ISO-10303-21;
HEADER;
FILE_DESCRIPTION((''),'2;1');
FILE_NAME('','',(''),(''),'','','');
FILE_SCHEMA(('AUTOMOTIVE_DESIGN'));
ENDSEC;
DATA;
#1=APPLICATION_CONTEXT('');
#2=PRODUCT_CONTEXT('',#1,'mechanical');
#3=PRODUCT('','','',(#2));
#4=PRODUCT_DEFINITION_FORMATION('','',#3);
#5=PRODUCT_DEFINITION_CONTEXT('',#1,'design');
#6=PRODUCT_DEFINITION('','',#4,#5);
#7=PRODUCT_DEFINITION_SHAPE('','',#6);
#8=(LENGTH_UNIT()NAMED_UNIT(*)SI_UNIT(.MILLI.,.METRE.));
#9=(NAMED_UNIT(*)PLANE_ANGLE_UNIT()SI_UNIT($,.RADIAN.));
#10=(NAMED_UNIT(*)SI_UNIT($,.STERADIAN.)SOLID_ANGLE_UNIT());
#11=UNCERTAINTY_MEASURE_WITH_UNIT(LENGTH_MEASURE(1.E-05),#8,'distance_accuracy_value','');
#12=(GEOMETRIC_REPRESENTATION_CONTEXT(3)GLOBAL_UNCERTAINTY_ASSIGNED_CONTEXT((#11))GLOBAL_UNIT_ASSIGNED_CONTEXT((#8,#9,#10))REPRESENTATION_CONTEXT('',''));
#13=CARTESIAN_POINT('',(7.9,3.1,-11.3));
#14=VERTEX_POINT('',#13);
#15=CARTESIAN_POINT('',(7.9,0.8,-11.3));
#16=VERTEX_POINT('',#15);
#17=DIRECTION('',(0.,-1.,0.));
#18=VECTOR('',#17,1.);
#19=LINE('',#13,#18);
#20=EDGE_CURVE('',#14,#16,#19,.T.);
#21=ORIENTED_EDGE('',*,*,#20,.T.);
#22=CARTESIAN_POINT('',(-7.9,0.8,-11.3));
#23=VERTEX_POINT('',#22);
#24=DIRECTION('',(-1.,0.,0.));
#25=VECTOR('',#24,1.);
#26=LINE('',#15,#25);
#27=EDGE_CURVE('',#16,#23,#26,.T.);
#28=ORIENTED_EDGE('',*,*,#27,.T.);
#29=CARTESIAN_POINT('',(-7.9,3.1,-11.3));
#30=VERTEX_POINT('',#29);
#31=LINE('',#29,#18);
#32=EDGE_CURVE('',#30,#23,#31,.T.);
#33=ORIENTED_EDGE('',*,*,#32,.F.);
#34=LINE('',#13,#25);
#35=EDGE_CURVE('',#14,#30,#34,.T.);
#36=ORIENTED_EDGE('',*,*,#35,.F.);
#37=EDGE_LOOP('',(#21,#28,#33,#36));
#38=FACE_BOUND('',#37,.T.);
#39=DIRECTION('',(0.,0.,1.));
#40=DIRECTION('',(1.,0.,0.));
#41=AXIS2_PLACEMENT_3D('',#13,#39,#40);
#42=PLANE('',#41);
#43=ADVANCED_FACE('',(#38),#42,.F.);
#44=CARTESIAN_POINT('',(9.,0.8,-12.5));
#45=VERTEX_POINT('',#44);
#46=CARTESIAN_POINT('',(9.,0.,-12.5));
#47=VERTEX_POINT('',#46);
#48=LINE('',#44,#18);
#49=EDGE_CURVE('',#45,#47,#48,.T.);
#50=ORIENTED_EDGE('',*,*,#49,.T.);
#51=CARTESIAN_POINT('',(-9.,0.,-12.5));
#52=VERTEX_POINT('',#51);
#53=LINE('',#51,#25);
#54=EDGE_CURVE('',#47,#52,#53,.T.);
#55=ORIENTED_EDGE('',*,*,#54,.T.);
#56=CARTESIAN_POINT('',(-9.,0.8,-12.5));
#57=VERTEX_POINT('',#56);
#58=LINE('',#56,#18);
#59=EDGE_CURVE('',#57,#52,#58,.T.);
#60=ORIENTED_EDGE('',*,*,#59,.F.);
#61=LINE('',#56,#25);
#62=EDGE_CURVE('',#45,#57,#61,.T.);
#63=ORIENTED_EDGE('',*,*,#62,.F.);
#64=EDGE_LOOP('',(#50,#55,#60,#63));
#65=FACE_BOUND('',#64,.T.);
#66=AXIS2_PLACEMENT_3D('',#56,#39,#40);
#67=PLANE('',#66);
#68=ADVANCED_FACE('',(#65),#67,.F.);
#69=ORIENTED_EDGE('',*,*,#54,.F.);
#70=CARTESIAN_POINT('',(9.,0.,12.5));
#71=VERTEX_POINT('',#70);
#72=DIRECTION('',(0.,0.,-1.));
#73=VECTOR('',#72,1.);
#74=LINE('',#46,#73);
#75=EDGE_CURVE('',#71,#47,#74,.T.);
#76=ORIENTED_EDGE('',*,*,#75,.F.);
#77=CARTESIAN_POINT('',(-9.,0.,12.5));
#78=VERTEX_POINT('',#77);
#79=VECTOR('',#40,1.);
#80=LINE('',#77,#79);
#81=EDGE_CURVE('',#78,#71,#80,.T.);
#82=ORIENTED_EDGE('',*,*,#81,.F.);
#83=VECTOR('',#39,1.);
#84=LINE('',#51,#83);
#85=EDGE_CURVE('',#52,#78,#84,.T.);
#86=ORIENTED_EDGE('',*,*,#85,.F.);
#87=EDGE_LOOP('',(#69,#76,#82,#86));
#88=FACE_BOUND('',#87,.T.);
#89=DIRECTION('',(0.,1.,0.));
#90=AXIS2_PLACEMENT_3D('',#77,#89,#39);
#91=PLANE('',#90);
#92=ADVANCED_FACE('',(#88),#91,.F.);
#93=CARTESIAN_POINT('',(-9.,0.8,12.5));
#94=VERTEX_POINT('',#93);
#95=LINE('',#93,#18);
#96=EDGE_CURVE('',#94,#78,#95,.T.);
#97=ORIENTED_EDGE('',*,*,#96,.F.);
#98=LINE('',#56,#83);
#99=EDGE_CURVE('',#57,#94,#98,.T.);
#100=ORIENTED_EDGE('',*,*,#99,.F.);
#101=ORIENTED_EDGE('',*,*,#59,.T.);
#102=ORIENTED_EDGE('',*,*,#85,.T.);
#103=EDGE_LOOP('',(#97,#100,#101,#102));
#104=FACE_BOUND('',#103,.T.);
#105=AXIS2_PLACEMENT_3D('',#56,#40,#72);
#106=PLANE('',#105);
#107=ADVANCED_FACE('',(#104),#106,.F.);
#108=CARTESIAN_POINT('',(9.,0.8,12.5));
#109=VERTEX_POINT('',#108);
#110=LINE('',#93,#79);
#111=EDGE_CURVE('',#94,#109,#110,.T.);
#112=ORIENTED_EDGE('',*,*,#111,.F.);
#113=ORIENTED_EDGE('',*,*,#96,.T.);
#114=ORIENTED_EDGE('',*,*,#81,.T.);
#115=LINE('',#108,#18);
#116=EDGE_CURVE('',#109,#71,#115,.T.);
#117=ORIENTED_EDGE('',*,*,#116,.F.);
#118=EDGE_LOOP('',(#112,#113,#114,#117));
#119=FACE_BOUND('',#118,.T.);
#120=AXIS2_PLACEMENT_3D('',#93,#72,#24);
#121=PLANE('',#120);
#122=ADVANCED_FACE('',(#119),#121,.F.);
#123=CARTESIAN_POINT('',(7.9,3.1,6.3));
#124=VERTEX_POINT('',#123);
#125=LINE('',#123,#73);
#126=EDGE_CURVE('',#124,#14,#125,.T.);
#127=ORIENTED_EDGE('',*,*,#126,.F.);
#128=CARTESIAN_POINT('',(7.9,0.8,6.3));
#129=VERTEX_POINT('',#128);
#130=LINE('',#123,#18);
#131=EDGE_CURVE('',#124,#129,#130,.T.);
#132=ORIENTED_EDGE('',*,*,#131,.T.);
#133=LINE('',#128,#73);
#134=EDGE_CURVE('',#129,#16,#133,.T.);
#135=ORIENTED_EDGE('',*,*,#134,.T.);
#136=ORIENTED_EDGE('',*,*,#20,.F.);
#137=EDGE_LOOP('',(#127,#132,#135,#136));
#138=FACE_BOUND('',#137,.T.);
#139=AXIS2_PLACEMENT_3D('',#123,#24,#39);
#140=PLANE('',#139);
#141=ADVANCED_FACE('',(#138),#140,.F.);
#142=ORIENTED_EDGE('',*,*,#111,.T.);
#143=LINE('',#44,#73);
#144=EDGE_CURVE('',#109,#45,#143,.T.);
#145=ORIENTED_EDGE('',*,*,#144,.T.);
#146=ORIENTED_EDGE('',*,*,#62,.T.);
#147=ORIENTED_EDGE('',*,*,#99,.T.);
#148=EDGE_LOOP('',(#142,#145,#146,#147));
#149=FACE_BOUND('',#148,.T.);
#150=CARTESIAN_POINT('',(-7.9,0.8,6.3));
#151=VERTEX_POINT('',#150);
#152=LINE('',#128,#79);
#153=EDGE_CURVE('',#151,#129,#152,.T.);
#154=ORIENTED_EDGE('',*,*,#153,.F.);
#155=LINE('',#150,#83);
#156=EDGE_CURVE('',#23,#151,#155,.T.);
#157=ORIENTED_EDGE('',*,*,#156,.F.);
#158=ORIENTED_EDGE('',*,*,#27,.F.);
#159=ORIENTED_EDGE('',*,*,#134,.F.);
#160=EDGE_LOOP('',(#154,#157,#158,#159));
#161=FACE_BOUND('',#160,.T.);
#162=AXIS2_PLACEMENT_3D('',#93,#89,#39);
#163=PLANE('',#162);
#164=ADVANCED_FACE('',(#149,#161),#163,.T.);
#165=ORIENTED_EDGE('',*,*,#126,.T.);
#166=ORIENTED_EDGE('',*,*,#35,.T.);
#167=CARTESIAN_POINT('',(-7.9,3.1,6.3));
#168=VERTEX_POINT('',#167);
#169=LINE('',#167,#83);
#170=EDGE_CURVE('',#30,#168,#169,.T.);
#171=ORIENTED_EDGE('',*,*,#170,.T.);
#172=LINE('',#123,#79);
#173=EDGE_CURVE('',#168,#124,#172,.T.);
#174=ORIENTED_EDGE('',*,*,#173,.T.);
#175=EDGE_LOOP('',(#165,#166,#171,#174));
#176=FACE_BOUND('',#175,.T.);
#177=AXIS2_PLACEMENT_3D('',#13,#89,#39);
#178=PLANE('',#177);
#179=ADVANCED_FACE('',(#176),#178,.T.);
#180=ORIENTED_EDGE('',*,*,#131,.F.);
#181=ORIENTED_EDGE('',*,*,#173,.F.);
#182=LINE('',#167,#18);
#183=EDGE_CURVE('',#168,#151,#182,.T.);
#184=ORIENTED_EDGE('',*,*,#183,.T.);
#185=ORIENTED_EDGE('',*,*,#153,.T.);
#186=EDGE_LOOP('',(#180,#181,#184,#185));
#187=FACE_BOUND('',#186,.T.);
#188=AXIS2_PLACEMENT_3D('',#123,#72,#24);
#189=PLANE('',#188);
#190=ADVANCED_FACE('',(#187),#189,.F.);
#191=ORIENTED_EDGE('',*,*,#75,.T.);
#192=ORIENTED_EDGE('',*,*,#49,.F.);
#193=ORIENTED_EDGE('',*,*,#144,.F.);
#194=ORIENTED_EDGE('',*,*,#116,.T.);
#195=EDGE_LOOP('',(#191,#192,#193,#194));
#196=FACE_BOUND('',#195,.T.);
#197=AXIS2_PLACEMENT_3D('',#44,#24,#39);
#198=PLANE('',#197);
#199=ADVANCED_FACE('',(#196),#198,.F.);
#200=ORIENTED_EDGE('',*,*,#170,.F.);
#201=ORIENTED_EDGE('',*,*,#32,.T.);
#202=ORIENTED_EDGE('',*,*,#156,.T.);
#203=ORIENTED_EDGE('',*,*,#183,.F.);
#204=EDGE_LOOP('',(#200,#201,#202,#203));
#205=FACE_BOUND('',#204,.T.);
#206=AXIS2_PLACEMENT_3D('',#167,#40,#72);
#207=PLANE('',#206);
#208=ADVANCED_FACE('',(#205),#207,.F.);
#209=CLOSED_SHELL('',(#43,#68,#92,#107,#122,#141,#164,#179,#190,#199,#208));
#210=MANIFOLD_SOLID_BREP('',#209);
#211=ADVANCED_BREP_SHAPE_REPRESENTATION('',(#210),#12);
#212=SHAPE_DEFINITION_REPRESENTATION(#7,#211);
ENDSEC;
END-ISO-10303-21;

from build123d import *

# Parameters (mm, degrees)
SKETCH1_W      = 18
SKETCH1_H      = 25
EXTRUDE1_DEPTH = 0.8
SKETCH2_W      = 15.8
SKETCH2_H      = 17.6
EXTRUDE2_DEPTH = 2.3


with BuildPart() as part:
    # Sketch1 → Extrude1 (new body)
    with BuildSketch(Plane(origin=(0, 0, 0), x_dir=(1, 0, 0), z_dir=(0, 1, 0))):
        Rectangle(SKETCH1_W, SKETCH1_H)
    extrude(amount=EXTRUDE1_DEPTH)

    # Sketch2 → Extrude2 (add)
    with BuildSketch(Plane(origin=(0, 0.8, 0), x_dir=(-1, 0, 0), z_dir=(0, 1, 0))):
        with Locations((0, -2.5)):
            Rectangle(SKETCH2_W, SKETCH2_H)
    extrude(amount=EXTRUDE2_DEPTH)


solid = part.part
